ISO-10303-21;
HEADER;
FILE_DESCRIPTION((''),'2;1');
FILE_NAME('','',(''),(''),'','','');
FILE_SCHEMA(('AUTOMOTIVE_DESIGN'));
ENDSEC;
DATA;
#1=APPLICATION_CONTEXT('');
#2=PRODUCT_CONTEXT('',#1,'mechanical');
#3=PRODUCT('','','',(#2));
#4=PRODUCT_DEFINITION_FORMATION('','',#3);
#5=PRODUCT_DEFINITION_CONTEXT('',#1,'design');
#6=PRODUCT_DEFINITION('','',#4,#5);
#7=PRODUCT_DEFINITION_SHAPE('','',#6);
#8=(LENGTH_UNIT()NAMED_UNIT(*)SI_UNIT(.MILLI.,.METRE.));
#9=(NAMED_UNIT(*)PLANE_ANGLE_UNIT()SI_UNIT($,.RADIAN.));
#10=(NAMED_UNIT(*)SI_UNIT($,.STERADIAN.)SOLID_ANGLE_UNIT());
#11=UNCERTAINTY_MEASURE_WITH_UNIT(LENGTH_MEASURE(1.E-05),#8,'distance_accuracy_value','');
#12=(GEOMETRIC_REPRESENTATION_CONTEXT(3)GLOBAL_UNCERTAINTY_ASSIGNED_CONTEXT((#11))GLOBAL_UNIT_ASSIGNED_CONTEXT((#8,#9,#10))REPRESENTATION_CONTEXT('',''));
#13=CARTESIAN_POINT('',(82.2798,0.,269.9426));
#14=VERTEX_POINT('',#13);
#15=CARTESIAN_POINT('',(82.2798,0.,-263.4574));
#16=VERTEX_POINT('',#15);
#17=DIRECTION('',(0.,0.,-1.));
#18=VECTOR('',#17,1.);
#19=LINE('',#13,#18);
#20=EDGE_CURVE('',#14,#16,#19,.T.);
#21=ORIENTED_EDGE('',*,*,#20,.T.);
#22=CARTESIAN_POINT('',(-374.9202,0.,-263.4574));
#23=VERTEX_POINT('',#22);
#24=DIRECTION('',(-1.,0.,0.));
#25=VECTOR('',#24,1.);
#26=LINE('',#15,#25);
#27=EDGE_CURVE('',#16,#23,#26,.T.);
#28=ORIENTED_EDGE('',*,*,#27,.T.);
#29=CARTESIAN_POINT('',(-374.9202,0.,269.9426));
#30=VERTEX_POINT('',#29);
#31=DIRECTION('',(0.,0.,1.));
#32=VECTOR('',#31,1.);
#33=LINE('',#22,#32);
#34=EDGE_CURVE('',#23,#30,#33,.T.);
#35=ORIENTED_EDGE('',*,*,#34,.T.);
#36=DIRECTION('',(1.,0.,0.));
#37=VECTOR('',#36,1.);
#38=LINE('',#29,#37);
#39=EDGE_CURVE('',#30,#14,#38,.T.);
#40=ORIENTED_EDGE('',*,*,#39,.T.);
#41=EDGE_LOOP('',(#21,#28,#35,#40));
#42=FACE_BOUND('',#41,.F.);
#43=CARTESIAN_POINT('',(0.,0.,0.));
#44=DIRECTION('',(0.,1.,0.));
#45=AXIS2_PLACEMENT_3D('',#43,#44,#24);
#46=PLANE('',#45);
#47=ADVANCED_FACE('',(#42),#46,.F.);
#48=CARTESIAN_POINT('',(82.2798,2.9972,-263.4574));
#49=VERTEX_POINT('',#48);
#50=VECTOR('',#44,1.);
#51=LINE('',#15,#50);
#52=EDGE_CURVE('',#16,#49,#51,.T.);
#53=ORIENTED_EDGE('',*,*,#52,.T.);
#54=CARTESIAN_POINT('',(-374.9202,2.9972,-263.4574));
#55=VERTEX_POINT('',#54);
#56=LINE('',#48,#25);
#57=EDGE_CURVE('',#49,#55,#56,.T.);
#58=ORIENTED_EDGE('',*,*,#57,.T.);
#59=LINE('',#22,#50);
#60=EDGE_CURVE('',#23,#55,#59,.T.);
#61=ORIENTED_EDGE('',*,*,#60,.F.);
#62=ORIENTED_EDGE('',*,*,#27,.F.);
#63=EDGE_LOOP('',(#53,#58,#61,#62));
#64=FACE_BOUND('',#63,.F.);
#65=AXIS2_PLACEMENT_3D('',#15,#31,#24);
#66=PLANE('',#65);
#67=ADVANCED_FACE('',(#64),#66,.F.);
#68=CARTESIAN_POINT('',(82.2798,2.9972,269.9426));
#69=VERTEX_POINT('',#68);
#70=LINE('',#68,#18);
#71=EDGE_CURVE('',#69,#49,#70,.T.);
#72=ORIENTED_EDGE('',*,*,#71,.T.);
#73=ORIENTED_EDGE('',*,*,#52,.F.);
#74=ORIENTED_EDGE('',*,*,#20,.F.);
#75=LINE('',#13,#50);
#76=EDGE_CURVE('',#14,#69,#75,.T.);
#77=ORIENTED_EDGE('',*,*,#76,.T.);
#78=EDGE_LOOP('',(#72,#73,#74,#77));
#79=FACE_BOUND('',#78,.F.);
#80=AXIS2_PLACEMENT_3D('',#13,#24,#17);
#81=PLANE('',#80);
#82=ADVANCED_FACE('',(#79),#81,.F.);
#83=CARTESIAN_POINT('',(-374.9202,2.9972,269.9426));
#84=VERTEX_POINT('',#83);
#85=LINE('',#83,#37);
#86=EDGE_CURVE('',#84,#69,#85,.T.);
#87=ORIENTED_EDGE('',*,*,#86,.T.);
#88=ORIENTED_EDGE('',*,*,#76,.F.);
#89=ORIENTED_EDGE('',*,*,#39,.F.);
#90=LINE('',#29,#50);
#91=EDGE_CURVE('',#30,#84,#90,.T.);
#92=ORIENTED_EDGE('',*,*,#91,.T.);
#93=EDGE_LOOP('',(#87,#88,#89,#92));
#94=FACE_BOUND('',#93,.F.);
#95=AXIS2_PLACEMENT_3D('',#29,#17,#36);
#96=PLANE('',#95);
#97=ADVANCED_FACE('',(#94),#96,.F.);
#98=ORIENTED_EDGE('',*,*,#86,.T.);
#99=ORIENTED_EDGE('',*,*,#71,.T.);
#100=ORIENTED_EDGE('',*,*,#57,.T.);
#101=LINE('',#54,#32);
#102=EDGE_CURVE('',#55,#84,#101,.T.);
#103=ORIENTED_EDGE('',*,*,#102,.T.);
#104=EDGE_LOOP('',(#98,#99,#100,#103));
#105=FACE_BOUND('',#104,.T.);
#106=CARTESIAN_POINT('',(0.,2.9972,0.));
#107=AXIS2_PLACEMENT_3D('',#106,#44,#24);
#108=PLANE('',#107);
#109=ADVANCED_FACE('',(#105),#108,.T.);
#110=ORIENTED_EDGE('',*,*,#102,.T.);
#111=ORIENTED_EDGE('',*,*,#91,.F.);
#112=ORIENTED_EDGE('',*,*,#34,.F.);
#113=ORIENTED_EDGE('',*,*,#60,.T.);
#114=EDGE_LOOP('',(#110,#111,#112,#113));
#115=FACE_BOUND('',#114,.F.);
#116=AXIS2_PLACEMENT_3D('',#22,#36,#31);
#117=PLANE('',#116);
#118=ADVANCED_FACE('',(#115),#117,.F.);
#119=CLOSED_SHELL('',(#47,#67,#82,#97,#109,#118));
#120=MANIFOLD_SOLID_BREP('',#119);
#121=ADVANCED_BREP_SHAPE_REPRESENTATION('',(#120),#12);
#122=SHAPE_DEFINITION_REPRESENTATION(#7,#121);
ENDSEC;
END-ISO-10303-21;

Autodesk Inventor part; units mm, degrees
ref_plane "YZ Plane" through (0, 0, 0) normal (1, 0, 0) x (0, 1, 0)
ref_plane "XZ Plane" through (0, 0, 0) normal (0, 1, 0) x (-1, 0, 0)
ref_plane "XY Plane" through (0, 0, 0) normal (0, 0, 1) x (1, 0, 0)
sketch "Sketch1" plane through (0, 0, 0) normal (0, 1, 0) x (-1, 0, 0)
  line L0 (374.9202, 269.9426) -> (-82.2798, 269.9426)
  line L1 (-82.2798, 269.9426) -> (-82.2798, -263.4574)
  line L2 (-82.2798, -263.4574) -> (374.9202, -263.4574)
  line L3 (374.9202, -263.4574) -> (374.9202, 269.9426)
  point P0 (0, 0)
  dimension "d0" = 533.4
  dimension "d1" = 457.2
extrude "Extrusion1" add sketch "Sketch1" along normal blind 2.9972
properties part number "Electronics Lexan" material "Polycarbonate, Clear"
